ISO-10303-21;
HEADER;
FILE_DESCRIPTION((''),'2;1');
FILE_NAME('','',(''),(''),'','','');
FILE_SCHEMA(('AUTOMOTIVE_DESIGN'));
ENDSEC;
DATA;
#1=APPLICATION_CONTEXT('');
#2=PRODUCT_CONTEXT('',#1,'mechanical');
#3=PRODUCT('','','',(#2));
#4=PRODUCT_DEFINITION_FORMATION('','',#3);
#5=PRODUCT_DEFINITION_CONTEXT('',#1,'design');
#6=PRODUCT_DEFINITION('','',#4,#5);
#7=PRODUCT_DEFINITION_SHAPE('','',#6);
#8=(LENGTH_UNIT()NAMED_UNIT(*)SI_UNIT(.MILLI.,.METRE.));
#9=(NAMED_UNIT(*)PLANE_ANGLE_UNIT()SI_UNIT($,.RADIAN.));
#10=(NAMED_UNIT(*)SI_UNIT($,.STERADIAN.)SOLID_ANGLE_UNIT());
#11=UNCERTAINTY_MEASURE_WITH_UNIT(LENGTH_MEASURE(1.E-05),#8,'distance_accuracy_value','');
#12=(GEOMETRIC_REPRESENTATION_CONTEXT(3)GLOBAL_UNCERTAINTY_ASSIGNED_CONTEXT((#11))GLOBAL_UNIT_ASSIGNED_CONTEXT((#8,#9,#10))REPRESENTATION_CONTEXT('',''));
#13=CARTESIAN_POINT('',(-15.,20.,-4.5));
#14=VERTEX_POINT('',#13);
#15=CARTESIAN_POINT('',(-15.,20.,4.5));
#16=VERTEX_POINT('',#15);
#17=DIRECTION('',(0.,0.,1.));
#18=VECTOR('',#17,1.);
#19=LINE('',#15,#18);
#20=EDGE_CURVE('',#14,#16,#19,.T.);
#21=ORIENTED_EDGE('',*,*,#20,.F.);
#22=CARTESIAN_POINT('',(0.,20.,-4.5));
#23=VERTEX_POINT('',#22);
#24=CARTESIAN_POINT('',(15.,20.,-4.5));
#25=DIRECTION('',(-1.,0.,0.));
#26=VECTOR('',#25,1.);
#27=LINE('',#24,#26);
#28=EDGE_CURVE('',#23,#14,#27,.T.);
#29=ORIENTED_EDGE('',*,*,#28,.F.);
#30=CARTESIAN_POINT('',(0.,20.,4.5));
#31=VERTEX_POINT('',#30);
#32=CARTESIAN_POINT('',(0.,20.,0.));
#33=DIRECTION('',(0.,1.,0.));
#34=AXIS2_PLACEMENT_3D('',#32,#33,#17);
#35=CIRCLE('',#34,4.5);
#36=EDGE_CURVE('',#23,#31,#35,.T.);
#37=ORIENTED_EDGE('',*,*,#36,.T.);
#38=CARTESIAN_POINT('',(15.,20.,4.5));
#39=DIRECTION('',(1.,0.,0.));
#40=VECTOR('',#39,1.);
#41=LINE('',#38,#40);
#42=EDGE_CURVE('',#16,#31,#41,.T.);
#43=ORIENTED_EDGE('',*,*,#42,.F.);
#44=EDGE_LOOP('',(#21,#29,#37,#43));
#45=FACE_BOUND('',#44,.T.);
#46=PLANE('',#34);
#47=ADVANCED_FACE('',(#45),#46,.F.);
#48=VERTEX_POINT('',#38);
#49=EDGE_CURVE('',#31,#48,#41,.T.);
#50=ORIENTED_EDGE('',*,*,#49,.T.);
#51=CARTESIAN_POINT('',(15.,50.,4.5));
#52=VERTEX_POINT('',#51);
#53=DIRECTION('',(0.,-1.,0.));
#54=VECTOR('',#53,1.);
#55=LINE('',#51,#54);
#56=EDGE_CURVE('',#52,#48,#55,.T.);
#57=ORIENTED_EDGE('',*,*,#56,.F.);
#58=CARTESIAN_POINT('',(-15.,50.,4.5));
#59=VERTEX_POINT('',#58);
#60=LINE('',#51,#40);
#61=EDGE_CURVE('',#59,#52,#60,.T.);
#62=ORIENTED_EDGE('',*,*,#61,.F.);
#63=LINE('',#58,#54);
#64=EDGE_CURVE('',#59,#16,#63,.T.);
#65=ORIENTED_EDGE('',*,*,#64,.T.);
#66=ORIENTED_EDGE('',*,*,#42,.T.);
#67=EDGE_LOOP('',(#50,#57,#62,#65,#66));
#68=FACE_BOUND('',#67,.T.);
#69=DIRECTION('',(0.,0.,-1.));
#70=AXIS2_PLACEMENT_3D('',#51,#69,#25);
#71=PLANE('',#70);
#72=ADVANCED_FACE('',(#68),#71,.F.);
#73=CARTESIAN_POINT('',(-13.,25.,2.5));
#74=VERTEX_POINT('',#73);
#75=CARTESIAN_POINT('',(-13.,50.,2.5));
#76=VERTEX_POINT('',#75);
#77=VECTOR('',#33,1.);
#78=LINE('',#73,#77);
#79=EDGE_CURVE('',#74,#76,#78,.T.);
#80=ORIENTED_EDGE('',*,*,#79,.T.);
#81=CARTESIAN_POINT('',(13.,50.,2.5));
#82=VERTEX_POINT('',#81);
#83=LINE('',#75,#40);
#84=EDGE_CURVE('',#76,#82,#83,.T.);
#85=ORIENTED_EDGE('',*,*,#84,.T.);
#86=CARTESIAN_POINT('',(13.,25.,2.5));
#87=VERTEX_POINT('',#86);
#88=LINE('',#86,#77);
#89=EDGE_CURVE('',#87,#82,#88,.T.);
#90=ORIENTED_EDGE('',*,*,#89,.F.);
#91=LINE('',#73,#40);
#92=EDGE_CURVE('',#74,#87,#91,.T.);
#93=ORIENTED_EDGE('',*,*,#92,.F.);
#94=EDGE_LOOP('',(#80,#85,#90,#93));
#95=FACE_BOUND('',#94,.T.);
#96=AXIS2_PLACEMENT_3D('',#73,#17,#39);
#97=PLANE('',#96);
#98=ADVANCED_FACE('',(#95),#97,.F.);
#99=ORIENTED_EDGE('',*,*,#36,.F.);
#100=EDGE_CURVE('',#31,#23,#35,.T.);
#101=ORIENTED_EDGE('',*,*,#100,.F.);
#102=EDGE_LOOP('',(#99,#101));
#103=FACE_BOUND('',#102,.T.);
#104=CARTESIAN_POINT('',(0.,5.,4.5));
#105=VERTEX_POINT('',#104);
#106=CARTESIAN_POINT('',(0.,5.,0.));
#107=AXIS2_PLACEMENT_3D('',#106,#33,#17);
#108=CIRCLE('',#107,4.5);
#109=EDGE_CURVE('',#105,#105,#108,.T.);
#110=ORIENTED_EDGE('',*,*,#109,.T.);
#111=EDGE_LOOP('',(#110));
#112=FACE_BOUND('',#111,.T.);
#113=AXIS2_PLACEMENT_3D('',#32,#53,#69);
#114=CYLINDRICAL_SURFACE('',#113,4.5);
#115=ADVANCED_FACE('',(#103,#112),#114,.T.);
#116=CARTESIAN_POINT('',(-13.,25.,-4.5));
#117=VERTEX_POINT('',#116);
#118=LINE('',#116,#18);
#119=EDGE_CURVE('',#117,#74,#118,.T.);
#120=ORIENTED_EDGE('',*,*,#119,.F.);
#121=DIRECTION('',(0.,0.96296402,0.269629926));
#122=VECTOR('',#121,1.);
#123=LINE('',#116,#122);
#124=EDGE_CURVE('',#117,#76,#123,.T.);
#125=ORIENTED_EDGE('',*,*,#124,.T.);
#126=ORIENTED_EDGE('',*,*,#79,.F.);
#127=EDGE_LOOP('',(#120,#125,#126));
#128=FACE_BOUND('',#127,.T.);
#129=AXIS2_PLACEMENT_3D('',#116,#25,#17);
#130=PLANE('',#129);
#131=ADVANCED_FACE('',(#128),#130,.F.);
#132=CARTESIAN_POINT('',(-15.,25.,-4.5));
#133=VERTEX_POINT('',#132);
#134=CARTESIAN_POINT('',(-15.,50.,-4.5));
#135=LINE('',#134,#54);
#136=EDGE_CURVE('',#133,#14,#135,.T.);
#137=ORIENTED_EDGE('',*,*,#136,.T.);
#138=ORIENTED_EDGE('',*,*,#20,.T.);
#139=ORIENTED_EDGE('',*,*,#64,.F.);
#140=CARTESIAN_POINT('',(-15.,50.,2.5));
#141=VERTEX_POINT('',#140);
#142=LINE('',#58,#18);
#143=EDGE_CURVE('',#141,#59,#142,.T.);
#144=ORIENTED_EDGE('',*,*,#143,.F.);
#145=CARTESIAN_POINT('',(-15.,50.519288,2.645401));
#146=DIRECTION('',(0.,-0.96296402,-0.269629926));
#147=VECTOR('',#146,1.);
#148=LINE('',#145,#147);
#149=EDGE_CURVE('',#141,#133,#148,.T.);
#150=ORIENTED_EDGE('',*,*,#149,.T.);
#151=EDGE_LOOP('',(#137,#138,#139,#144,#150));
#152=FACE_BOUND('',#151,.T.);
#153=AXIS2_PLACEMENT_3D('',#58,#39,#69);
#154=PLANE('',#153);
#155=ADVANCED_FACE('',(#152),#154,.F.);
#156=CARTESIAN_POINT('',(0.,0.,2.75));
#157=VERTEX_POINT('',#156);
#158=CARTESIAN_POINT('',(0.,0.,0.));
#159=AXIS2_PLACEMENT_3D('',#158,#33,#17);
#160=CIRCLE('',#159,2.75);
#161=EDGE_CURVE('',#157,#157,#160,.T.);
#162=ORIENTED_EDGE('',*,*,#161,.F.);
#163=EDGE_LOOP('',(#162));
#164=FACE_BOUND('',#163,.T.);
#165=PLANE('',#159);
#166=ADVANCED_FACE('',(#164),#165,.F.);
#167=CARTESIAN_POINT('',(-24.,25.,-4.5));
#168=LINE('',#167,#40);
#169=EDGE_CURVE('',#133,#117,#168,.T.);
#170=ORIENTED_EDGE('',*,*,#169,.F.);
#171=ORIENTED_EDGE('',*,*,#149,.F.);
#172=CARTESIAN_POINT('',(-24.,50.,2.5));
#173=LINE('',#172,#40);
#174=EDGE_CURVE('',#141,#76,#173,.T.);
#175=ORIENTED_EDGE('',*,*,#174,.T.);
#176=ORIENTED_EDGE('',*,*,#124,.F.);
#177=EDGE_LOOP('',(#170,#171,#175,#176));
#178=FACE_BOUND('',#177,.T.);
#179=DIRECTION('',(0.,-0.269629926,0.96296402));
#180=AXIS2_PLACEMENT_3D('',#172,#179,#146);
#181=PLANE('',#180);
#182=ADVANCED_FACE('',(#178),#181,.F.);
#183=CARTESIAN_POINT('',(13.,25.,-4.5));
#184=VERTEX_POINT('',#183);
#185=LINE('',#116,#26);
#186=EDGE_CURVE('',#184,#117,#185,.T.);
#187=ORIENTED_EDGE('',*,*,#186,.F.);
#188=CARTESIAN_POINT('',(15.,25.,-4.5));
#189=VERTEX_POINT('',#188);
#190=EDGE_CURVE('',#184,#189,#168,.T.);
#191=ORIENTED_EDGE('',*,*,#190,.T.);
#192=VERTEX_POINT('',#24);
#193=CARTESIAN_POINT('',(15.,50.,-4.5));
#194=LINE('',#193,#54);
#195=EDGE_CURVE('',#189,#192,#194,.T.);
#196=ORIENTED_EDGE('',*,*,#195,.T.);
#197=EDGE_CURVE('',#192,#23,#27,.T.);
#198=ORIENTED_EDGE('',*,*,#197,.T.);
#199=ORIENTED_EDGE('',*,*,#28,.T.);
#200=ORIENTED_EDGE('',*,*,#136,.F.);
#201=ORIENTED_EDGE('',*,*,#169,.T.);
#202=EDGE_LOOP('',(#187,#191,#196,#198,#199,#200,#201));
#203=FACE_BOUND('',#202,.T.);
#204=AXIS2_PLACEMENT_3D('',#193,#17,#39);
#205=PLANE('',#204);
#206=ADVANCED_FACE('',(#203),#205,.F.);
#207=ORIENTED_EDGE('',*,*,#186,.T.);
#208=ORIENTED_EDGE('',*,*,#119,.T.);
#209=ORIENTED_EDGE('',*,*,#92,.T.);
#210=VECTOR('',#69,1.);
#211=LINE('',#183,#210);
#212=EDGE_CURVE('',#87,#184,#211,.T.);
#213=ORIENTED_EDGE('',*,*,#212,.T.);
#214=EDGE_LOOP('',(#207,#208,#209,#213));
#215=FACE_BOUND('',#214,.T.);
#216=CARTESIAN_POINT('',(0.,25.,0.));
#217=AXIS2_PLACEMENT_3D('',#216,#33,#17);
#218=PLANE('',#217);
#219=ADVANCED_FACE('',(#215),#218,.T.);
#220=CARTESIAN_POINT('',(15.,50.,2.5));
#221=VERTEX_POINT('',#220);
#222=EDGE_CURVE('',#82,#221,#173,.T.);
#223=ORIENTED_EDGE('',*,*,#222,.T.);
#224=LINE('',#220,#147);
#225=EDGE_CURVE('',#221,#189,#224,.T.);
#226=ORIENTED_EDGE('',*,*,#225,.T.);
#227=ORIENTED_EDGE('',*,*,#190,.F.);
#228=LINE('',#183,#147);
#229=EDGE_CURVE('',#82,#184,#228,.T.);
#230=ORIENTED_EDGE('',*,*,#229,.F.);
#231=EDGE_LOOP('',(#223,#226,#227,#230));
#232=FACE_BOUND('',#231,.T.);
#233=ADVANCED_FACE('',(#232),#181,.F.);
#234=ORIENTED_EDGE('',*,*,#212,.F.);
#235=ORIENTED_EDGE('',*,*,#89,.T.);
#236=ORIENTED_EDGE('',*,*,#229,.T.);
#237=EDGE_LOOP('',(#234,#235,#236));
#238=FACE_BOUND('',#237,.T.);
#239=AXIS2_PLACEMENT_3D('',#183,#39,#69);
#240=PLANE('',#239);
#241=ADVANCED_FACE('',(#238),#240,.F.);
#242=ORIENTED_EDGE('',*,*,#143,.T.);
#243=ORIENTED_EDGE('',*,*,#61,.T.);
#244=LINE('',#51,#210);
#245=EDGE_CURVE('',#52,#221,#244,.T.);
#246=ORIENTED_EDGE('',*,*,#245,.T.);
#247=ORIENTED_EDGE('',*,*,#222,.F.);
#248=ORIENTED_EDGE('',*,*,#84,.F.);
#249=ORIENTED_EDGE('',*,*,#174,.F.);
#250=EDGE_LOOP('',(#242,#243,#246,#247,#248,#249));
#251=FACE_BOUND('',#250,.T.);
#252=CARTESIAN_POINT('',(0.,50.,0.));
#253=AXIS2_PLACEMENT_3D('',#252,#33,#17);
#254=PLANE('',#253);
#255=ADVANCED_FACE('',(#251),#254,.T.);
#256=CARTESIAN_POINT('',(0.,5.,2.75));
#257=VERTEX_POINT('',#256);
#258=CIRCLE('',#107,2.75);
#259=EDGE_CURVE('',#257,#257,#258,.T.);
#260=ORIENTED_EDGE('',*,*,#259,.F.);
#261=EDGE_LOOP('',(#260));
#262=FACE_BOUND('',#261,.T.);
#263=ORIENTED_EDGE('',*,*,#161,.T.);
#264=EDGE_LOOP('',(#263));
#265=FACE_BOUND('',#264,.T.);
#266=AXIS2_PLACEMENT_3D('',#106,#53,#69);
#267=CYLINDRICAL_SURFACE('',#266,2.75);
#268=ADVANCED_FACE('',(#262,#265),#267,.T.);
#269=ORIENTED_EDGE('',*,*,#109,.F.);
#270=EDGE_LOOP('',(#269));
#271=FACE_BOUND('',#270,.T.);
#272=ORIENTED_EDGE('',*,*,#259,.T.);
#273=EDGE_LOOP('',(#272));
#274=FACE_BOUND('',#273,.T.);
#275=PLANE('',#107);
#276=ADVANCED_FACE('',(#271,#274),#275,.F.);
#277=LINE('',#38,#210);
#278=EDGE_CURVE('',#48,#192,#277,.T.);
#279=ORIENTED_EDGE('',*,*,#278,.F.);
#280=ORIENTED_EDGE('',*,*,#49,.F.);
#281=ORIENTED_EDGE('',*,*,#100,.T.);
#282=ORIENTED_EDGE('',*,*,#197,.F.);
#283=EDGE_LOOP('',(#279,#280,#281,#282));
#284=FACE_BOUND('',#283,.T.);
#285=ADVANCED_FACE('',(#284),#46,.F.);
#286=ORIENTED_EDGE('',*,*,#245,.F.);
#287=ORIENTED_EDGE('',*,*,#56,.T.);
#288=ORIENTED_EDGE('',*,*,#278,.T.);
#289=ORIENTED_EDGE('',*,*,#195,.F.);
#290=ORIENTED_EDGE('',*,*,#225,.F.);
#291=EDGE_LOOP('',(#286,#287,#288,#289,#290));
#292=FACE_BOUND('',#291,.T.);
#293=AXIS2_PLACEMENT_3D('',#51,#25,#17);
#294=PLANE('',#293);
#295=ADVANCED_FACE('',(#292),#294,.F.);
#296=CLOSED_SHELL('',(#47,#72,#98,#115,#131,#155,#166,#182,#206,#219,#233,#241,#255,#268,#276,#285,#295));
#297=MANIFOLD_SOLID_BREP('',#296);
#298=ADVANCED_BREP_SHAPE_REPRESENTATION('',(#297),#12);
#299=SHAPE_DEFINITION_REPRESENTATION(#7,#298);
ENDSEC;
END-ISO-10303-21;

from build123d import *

# Parameters (mm, degrees)
SKETCH1_R           = 2.75
BOSS_EXTRUDE1_DEPTH = 5
SKETCH2_R           = 4.5
BOSS_EXTRUDE2_DEPTH = 15
SKETCH3_W           = 30
SKETCH3_H           = 9
BOSS_EXTRUDE3_DEPTH = 30
SKETCH4_W           = 26
SKETCH4_H           = 7
CUT_EXTRUDE1_DEPTH  = 25
CUT_EXTRUDE2_DEPTH  = 39


with BuildPart() as part:
    # Sketch1 → Boss-Extrude1 (new body)
    with BuildSketch(Plane(origin=(0, 0, 0), x_dir=(1, 0, 0), z_dir=(0, 1, 0))):
        Circle(SKETCH1_R)
    extrude(amount=BOSS_EXTRUDE1_DEPTH)

    # Sketch2 → Boss-Extrude2 (add)
    with BuildSketch(Plane(origin=(0, 5, 0), x_dir=(1, 0, 0), z_dir=(0, 1, 0))):
        Circle(SKETCH2_R)
    extrude(amount=BOSS_EXTRUDE2_DEPTH)

    # Sketch3 → Boss-Extrude3 (add)
    with BuildSketch(Plane(origin=(0, 20, 0), x_dir=(1, 0, 0), z_dir=(0, 1, 0))):
        Rectangle(SKETCH3_W, SKETCH3_H)
    extrude(amount=BOSS_EXTRUDE3_DEPTH)

    # Sketch4 → Cut-Extrude1 (cut)
    with BuildSketch(Plane(origin=(0, 50, 0), x_dir=(1, 0, 0), z_dir=(0, 1, 0))):
        with Locations((0, 1)):
            Rectangle(SKETCH4_W, SKETCH4_H)
    extrude(amount=-CUT_EXTRUDE1_DEPTH, mode=Mode.SUBTRACT)

    # Sketch5 → Cut-Extrude2 (cut)
    with BuildSketch(Plane(origin=(15, 0, 0), x_dir=(0, 0, -1), z_dir=(1, 0, 0))):
        Polygon((-2.5, 50), (4.5, 25), (4.5, 50), align=None)
    extrude(amount=-CUT_EXTRUDE2_DEPTH, mode=Mode.SUBTRACT)


solid = part.part
